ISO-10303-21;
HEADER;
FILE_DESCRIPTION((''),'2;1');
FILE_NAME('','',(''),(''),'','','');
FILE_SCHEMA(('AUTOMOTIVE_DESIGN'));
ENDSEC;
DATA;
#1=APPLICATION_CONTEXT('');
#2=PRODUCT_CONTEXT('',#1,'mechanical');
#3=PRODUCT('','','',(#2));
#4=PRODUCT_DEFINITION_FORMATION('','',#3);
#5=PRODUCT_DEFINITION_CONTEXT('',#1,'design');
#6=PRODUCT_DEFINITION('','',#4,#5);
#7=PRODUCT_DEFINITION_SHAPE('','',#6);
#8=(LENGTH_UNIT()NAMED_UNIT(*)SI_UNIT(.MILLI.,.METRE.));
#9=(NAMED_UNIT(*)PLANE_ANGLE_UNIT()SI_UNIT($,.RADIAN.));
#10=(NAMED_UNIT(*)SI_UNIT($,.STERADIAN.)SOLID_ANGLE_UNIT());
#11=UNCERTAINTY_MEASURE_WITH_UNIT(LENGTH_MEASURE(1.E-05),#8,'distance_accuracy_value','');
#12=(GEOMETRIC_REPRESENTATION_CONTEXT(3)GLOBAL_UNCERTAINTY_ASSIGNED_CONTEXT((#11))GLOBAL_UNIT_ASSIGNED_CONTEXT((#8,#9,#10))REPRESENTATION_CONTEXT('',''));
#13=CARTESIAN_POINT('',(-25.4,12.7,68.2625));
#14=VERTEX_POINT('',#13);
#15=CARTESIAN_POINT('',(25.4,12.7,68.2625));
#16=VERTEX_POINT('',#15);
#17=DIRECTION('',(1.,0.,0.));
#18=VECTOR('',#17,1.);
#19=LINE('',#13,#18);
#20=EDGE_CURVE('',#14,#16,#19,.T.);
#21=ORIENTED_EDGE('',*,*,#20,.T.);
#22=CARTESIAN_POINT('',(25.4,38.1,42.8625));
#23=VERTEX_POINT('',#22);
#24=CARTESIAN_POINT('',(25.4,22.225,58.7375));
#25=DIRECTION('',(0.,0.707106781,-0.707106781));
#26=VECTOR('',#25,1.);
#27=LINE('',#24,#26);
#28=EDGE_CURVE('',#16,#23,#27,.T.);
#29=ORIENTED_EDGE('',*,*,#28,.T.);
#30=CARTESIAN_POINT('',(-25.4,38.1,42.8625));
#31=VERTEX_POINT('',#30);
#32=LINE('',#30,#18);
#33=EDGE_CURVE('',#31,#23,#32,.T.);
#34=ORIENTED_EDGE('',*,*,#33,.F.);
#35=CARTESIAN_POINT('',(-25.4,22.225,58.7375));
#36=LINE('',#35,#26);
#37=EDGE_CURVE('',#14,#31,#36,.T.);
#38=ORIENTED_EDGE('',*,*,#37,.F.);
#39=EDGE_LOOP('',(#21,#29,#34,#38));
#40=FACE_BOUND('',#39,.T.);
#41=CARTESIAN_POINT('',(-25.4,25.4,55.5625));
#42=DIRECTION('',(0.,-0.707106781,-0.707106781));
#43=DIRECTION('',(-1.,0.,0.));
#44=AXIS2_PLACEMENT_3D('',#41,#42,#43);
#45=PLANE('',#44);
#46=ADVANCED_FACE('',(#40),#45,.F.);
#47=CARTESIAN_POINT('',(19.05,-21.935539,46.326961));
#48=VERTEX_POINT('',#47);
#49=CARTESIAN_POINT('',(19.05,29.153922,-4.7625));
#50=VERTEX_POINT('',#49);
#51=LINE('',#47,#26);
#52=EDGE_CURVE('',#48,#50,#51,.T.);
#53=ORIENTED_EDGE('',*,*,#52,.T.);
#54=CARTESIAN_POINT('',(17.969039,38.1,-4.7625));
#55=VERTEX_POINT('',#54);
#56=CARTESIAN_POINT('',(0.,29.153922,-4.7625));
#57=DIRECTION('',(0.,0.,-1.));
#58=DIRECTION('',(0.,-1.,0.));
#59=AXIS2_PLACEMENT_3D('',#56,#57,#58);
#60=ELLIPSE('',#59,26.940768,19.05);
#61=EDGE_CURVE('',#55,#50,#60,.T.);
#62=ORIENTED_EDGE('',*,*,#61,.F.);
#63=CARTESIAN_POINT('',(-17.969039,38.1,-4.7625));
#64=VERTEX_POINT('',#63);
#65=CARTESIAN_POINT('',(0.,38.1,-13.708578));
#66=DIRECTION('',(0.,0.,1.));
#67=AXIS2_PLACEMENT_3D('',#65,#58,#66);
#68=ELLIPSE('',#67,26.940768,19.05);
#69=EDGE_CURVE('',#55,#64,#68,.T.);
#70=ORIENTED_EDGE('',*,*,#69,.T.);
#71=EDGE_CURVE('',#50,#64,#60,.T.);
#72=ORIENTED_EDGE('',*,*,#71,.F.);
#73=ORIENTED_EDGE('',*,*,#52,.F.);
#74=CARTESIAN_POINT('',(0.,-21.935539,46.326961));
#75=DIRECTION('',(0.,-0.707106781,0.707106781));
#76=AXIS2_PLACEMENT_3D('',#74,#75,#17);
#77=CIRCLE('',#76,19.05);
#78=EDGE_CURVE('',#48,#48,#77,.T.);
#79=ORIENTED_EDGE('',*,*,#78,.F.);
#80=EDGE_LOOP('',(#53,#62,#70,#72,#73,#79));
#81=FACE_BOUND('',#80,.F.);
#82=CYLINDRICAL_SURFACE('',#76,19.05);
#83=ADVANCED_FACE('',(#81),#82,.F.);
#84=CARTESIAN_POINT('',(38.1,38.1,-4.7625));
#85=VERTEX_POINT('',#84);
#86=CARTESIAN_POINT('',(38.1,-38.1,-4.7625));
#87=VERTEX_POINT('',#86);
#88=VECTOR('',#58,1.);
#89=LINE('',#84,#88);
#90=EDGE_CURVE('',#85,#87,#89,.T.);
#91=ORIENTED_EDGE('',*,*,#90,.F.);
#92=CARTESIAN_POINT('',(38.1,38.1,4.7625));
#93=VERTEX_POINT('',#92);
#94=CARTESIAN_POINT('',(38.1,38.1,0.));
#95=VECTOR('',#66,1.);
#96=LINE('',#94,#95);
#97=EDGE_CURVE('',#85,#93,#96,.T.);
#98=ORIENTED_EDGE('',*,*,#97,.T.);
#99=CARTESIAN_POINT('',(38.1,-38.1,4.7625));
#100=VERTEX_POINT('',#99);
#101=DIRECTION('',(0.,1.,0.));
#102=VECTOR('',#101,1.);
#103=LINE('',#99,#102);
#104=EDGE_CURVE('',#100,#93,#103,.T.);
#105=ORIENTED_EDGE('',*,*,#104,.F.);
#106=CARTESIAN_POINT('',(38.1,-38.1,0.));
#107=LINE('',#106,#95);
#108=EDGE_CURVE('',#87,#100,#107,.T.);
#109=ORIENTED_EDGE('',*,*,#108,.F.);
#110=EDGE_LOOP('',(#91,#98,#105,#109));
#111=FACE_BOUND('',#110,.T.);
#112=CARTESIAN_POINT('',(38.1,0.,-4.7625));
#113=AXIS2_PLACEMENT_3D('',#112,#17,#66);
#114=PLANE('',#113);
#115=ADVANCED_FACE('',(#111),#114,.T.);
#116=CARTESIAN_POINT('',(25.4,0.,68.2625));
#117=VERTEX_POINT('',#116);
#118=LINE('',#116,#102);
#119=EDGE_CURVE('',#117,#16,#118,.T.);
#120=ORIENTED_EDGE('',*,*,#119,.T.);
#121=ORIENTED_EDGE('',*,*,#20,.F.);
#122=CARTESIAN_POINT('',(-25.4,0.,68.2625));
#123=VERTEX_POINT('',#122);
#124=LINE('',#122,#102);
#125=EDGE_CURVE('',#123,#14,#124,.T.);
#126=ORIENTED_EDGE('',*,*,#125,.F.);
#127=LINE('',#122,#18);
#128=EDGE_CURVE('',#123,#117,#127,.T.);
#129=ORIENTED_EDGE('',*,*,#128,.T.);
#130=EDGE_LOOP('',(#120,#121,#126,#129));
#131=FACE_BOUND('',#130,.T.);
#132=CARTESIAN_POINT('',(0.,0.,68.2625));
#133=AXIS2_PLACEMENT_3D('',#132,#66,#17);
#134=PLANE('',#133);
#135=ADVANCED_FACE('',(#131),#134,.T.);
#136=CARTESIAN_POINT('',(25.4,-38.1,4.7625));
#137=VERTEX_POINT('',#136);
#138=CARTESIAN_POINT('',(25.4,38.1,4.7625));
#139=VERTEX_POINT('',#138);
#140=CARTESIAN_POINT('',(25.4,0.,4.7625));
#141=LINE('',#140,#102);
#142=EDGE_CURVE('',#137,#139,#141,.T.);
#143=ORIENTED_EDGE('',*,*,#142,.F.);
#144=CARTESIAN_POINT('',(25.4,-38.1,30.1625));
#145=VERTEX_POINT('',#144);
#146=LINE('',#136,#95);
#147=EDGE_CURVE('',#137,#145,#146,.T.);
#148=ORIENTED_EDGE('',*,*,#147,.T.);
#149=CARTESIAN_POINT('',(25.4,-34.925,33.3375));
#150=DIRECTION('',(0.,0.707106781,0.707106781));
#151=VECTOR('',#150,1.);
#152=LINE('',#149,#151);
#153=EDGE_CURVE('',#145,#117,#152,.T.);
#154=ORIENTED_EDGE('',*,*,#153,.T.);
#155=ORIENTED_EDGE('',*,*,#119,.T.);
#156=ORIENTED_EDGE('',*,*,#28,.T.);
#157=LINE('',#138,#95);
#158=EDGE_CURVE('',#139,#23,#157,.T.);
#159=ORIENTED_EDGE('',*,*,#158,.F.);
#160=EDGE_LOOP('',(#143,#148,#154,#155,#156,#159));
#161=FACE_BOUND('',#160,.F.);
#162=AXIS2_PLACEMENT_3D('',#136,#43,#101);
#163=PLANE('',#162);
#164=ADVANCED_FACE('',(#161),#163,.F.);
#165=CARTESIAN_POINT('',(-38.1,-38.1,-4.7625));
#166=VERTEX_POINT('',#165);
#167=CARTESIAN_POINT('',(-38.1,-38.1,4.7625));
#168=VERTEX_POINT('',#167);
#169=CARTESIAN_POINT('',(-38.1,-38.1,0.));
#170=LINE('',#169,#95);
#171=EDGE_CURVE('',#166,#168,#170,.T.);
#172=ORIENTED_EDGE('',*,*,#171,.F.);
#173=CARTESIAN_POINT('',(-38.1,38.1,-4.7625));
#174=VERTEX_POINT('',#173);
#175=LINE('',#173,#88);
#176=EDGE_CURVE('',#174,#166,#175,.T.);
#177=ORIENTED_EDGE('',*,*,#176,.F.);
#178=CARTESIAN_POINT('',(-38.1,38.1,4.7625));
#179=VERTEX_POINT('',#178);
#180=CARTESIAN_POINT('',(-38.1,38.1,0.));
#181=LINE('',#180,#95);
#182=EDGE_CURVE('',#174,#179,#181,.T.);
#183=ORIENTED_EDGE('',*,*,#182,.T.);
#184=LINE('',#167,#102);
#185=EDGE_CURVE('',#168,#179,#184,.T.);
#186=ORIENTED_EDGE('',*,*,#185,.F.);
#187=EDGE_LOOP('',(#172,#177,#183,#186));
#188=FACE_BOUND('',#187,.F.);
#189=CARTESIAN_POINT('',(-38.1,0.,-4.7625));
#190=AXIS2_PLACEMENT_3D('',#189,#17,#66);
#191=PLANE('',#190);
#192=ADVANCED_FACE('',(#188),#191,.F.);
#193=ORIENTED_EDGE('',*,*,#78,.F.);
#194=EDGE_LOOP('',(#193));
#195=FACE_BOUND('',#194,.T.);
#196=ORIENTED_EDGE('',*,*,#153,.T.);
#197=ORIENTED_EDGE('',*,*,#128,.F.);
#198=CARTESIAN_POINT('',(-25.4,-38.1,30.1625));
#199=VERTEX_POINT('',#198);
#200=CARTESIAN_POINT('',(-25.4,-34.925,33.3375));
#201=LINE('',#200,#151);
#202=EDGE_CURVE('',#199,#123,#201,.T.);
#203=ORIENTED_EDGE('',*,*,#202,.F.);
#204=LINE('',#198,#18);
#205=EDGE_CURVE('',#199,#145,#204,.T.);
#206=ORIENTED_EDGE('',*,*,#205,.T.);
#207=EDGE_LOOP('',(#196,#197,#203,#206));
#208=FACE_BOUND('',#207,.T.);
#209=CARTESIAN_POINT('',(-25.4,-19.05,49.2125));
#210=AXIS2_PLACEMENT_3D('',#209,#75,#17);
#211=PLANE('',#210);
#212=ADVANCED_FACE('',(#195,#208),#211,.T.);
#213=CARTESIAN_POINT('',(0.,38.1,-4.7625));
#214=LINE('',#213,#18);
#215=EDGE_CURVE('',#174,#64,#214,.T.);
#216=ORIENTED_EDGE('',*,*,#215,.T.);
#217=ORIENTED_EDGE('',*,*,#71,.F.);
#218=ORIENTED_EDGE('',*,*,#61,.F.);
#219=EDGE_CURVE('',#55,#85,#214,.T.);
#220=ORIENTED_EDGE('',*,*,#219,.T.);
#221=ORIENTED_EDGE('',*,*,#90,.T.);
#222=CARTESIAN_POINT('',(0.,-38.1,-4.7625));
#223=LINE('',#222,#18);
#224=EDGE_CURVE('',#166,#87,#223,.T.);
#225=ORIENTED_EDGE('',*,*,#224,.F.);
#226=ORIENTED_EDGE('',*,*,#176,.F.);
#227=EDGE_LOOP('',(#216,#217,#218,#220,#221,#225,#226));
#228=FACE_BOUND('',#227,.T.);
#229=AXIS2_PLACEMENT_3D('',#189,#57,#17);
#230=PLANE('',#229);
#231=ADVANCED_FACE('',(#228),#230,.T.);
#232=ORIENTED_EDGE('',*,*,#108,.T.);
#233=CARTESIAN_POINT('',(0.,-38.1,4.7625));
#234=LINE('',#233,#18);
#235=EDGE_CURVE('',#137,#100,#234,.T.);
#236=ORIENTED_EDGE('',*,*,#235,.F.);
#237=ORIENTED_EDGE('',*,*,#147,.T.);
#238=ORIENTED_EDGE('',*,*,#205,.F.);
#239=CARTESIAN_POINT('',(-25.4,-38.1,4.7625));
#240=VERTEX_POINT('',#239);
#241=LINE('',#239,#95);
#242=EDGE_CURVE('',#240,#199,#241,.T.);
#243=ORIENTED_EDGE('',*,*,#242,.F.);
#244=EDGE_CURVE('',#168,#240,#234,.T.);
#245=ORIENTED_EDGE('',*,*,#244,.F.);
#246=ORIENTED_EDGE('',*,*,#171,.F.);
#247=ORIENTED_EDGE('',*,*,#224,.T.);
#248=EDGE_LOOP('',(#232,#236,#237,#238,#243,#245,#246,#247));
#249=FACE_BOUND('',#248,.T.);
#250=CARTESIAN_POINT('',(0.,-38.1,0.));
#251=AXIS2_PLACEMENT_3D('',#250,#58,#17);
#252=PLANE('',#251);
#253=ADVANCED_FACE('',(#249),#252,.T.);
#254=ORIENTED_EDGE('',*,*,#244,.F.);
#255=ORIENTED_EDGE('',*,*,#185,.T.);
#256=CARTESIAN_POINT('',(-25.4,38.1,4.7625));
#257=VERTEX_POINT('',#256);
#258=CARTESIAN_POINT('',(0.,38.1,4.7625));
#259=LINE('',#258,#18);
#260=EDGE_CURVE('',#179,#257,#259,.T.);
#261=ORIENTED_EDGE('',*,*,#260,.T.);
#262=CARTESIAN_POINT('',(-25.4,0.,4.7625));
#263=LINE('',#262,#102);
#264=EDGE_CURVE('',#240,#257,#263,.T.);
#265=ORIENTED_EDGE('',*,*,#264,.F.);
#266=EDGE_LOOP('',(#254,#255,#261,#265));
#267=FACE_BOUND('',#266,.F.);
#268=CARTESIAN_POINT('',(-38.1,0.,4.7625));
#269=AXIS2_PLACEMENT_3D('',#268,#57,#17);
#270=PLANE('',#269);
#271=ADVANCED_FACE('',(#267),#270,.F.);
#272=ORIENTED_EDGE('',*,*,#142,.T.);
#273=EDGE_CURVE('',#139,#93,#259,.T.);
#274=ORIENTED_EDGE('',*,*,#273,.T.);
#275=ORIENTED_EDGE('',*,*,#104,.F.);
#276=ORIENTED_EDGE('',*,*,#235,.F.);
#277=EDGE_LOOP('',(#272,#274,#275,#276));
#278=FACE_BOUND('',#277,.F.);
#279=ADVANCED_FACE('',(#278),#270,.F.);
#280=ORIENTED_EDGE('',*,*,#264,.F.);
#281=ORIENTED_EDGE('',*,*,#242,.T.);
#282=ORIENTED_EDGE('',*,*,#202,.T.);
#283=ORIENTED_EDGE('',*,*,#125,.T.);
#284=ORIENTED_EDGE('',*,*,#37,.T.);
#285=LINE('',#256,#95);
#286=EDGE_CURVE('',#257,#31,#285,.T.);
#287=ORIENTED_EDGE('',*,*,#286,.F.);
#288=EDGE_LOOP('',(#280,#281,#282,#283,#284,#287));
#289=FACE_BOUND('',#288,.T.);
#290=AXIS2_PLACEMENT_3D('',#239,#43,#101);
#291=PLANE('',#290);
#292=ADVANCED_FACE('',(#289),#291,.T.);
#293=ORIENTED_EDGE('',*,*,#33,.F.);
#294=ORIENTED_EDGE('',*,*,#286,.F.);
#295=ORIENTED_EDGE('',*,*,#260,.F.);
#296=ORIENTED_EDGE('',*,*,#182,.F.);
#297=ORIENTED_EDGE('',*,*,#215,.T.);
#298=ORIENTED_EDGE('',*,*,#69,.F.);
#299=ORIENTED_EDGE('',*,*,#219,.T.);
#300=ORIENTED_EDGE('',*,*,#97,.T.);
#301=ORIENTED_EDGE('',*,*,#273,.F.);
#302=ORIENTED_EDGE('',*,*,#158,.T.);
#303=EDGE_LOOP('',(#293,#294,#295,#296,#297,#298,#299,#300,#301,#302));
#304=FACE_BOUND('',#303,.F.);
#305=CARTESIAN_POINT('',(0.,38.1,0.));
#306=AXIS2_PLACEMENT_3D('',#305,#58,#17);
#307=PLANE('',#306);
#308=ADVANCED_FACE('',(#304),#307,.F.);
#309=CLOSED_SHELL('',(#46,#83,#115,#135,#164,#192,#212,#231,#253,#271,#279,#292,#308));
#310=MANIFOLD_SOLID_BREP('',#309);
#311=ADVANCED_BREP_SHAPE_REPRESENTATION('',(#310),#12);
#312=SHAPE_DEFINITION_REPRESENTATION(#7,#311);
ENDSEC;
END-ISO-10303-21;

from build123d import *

# Parameters (mm, degrees)
F0_W     = 76.2
F0_H     = 9.525
F1_DEPTH = 38.1
F2_W     = 50.8
F2_H     = 76.2
F3_DEPTH = 63.5
F4_SIZE2 = 38.1
F4_SIZE  = 38.1
F5_R     = 19.05
F6_DEPTH = 190.246
F7_SIZE  = 25.4


with BuildPart() as f1:
    # F0 (on Front) → F1 (new body, symmetric)
    with BuildSketch(Plane.XZ):
        Rectangle(F0_W, F0_H)
    extrude(amount=F1_DEPTH, both=True)

    # F2 (on face) → F3 (join)
    with BuildSketch(Plane.XY.offset(4.7625)):
        Rectangle(F2_W, F2_H)
    extrude(amount=F3_DEPTH)

    # F4
    f4_edges = [f1.edges().sort_by_distance(p)[0] for p in [
        (0, -38.1, 68.2625),
    ]]
    chamfer(f4_edges, length=F4_SIZE, length2=F4_SIZE2)

    # F5 (on face) → F6 (cut)
    with BuildSketch(Plane(origin=(0, -34.13125, 34.13125), x_dir=(1, 0, 0), z_dir=(0, -0.707107, 0.707107))):
        with Locations((0, 17.24734)):
            Circle(F5_R)
    extrude(amount=-F6_DEPTH, mode=Mode.SUBTRACT)

    # F7
    f7_edges = [f1.edges().sort_by_distance(p)[0] for p in [
        (0, 38.1, 68.2625),
    ]]
    chamfer(f7_edges, length=F7_SIZE)


solid = f1.part
